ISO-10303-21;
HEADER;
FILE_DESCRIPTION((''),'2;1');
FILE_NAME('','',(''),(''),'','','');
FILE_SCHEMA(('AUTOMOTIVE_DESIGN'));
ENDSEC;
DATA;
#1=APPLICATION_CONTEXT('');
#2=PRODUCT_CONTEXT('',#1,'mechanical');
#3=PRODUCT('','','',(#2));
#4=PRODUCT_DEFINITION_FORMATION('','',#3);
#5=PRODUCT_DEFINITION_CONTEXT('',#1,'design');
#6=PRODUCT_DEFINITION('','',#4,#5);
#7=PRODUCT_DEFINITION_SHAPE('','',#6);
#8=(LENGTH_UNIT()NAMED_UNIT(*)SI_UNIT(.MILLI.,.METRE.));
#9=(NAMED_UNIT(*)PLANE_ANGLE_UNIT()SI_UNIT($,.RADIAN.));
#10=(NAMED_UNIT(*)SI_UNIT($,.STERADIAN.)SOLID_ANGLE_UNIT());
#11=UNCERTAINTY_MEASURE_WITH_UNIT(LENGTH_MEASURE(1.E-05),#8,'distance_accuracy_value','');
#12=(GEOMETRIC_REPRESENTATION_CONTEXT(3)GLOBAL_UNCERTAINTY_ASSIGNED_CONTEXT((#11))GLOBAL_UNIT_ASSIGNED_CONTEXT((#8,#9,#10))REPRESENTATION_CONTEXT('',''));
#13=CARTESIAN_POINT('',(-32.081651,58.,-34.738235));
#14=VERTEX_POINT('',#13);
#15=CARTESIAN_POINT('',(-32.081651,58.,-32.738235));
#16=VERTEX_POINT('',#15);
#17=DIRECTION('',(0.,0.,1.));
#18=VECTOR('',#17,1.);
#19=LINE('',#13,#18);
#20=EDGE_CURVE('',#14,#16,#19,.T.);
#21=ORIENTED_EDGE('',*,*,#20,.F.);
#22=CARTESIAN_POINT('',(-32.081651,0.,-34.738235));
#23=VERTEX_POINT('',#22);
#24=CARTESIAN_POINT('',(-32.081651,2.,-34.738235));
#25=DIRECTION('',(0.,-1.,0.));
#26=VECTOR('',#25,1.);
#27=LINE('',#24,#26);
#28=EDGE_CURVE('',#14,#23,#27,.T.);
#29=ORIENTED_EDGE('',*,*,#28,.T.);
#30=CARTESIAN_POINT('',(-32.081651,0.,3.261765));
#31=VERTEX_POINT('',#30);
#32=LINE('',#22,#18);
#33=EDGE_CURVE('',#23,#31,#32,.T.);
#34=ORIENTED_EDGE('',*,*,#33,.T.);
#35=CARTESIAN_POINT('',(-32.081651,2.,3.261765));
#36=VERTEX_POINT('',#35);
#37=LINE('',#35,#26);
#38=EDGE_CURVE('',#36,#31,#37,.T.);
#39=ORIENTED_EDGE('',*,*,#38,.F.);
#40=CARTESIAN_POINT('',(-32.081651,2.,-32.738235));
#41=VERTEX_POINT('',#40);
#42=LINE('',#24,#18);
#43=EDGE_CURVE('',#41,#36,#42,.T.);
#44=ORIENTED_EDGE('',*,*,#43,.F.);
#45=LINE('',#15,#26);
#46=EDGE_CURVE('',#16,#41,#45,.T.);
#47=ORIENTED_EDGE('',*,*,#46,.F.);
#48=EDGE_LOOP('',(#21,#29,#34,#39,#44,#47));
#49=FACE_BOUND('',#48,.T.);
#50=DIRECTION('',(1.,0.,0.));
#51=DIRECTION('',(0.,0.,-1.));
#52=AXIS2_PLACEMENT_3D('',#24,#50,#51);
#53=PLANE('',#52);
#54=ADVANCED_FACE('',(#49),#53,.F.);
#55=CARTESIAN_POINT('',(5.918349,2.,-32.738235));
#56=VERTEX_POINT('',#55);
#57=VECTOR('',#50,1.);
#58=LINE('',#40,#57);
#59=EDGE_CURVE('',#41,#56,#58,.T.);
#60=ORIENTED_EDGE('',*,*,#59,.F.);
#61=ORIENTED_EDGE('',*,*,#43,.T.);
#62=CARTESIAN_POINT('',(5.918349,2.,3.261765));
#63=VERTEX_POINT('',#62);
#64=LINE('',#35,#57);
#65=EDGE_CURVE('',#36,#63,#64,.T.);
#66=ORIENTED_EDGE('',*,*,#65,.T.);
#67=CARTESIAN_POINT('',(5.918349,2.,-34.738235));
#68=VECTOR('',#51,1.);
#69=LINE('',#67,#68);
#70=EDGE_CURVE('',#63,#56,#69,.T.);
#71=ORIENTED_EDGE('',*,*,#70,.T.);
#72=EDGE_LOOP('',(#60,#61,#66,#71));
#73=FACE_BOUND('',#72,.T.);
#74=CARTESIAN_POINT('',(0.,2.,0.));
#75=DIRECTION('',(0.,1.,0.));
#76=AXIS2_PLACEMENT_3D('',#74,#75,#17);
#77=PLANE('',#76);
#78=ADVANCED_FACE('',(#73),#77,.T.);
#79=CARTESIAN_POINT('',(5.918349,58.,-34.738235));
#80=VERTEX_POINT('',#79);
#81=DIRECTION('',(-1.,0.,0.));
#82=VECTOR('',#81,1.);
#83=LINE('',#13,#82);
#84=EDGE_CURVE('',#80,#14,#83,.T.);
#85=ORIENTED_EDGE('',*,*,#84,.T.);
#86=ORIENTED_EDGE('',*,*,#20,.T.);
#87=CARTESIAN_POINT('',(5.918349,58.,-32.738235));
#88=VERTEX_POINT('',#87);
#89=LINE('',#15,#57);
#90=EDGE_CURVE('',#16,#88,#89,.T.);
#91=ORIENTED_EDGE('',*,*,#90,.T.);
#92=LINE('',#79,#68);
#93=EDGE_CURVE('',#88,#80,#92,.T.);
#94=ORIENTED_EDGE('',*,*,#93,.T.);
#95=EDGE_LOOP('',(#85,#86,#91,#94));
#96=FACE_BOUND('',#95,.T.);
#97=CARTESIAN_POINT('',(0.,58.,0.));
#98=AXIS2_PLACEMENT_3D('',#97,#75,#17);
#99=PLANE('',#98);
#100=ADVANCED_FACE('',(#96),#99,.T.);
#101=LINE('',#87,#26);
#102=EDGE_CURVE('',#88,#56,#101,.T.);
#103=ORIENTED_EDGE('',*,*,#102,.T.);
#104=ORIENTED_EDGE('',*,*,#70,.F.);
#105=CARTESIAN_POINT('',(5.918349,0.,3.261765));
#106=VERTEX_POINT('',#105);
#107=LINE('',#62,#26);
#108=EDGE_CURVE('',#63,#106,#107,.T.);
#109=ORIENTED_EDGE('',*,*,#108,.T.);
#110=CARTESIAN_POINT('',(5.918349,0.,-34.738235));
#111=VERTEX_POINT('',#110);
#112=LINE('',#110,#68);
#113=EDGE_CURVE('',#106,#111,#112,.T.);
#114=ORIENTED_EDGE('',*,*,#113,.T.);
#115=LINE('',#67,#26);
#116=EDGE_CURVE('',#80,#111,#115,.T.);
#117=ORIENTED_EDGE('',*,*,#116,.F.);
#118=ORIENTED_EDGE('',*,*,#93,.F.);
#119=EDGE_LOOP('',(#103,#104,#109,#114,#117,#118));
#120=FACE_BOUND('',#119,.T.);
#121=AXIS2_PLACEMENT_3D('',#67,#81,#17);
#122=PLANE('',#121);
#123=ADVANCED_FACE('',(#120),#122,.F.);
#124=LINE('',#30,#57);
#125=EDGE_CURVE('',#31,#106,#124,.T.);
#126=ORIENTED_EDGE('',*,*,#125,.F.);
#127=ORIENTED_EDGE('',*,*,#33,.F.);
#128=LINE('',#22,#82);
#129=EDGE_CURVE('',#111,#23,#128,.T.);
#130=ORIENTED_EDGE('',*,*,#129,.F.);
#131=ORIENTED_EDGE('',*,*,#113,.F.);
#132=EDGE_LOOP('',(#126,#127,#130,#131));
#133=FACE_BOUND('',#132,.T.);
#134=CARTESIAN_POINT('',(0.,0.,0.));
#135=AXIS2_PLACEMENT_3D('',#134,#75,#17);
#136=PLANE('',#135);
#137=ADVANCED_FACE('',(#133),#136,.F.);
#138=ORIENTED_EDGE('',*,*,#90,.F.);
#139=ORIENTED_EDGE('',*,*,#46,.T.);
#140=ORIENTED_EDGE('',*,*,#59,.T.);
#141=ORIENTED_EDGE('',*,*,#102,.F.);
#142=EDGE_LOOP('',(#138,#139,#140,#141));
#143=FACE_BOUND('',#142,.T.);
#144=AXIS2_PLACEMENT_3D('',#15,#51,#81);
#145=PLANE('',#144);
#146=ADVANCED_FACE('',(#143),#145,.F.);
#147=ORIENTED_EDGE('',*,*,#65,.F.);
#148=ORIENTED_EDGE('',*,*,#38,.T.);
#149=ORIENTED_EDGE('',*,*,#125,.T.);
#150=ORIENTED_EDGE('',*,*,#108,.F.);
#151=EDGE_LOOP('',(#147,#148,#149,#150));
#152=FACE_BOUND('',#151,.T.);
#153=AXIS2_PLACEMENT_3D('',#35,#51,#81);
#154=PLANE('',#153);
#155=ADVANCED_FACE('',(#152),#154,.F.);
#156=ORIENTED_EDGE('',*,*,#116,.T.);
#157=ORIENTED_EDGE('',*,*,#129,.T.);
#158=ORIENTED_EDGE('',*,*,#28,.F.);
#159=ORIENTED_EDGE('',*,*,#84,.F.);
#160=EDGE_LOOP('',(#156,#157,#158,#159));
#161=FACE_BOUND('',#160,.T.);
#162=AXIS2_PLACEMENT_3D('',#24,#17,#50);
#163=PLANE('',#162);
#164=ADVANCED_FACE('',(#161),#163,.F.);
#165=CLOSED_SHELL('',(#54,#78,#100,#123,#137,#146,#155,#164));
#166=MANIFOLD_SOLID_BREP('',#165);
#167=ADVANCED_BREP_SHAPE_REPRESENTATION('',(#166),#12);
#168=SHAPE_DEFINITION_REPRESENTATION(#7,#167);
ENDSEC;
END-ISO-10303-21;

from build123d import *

# Parameters (mm, degrees)
SKETCH1_W           = 38
SKETCH1_H           = 38
BOSS_EXTRUDE1_DEPTH = 2
SKETCH2_W           = 38
SKETCH2_H           = 2
BOSS_EXTRUDE2_DEPTH = 56


with BuildPart() as part:
    # Sketch1 → Boss-Extrude1 (new body)
    with BuildSketch(Plane(origin=(0, 0, 0), x_dir=(1, 0, 0), z_dir=(0, 1, 0))):
        with Locations((-13.081650622, 15.738235294)):
            Rectangle(SKETCH1_W, SKETCH1_H)
    extrude(amount=BOSS_EXTRUDE1_DEPTH)

    # Sketch2 → Boss-Extrude2 (add)
    with BuildSketch(Plane(origin=(0, 2, 0), x_dir=(1, 0, 0), z_dir=(0, 1, 0))):
        with Locations((-13.081650622, 33.738235294)):
            Rectangle(SKETCH2_W, SKETCH2_H)
    extrude(amount=BOSS_EXTRUDE2_DEPTH)


solid = part.part
